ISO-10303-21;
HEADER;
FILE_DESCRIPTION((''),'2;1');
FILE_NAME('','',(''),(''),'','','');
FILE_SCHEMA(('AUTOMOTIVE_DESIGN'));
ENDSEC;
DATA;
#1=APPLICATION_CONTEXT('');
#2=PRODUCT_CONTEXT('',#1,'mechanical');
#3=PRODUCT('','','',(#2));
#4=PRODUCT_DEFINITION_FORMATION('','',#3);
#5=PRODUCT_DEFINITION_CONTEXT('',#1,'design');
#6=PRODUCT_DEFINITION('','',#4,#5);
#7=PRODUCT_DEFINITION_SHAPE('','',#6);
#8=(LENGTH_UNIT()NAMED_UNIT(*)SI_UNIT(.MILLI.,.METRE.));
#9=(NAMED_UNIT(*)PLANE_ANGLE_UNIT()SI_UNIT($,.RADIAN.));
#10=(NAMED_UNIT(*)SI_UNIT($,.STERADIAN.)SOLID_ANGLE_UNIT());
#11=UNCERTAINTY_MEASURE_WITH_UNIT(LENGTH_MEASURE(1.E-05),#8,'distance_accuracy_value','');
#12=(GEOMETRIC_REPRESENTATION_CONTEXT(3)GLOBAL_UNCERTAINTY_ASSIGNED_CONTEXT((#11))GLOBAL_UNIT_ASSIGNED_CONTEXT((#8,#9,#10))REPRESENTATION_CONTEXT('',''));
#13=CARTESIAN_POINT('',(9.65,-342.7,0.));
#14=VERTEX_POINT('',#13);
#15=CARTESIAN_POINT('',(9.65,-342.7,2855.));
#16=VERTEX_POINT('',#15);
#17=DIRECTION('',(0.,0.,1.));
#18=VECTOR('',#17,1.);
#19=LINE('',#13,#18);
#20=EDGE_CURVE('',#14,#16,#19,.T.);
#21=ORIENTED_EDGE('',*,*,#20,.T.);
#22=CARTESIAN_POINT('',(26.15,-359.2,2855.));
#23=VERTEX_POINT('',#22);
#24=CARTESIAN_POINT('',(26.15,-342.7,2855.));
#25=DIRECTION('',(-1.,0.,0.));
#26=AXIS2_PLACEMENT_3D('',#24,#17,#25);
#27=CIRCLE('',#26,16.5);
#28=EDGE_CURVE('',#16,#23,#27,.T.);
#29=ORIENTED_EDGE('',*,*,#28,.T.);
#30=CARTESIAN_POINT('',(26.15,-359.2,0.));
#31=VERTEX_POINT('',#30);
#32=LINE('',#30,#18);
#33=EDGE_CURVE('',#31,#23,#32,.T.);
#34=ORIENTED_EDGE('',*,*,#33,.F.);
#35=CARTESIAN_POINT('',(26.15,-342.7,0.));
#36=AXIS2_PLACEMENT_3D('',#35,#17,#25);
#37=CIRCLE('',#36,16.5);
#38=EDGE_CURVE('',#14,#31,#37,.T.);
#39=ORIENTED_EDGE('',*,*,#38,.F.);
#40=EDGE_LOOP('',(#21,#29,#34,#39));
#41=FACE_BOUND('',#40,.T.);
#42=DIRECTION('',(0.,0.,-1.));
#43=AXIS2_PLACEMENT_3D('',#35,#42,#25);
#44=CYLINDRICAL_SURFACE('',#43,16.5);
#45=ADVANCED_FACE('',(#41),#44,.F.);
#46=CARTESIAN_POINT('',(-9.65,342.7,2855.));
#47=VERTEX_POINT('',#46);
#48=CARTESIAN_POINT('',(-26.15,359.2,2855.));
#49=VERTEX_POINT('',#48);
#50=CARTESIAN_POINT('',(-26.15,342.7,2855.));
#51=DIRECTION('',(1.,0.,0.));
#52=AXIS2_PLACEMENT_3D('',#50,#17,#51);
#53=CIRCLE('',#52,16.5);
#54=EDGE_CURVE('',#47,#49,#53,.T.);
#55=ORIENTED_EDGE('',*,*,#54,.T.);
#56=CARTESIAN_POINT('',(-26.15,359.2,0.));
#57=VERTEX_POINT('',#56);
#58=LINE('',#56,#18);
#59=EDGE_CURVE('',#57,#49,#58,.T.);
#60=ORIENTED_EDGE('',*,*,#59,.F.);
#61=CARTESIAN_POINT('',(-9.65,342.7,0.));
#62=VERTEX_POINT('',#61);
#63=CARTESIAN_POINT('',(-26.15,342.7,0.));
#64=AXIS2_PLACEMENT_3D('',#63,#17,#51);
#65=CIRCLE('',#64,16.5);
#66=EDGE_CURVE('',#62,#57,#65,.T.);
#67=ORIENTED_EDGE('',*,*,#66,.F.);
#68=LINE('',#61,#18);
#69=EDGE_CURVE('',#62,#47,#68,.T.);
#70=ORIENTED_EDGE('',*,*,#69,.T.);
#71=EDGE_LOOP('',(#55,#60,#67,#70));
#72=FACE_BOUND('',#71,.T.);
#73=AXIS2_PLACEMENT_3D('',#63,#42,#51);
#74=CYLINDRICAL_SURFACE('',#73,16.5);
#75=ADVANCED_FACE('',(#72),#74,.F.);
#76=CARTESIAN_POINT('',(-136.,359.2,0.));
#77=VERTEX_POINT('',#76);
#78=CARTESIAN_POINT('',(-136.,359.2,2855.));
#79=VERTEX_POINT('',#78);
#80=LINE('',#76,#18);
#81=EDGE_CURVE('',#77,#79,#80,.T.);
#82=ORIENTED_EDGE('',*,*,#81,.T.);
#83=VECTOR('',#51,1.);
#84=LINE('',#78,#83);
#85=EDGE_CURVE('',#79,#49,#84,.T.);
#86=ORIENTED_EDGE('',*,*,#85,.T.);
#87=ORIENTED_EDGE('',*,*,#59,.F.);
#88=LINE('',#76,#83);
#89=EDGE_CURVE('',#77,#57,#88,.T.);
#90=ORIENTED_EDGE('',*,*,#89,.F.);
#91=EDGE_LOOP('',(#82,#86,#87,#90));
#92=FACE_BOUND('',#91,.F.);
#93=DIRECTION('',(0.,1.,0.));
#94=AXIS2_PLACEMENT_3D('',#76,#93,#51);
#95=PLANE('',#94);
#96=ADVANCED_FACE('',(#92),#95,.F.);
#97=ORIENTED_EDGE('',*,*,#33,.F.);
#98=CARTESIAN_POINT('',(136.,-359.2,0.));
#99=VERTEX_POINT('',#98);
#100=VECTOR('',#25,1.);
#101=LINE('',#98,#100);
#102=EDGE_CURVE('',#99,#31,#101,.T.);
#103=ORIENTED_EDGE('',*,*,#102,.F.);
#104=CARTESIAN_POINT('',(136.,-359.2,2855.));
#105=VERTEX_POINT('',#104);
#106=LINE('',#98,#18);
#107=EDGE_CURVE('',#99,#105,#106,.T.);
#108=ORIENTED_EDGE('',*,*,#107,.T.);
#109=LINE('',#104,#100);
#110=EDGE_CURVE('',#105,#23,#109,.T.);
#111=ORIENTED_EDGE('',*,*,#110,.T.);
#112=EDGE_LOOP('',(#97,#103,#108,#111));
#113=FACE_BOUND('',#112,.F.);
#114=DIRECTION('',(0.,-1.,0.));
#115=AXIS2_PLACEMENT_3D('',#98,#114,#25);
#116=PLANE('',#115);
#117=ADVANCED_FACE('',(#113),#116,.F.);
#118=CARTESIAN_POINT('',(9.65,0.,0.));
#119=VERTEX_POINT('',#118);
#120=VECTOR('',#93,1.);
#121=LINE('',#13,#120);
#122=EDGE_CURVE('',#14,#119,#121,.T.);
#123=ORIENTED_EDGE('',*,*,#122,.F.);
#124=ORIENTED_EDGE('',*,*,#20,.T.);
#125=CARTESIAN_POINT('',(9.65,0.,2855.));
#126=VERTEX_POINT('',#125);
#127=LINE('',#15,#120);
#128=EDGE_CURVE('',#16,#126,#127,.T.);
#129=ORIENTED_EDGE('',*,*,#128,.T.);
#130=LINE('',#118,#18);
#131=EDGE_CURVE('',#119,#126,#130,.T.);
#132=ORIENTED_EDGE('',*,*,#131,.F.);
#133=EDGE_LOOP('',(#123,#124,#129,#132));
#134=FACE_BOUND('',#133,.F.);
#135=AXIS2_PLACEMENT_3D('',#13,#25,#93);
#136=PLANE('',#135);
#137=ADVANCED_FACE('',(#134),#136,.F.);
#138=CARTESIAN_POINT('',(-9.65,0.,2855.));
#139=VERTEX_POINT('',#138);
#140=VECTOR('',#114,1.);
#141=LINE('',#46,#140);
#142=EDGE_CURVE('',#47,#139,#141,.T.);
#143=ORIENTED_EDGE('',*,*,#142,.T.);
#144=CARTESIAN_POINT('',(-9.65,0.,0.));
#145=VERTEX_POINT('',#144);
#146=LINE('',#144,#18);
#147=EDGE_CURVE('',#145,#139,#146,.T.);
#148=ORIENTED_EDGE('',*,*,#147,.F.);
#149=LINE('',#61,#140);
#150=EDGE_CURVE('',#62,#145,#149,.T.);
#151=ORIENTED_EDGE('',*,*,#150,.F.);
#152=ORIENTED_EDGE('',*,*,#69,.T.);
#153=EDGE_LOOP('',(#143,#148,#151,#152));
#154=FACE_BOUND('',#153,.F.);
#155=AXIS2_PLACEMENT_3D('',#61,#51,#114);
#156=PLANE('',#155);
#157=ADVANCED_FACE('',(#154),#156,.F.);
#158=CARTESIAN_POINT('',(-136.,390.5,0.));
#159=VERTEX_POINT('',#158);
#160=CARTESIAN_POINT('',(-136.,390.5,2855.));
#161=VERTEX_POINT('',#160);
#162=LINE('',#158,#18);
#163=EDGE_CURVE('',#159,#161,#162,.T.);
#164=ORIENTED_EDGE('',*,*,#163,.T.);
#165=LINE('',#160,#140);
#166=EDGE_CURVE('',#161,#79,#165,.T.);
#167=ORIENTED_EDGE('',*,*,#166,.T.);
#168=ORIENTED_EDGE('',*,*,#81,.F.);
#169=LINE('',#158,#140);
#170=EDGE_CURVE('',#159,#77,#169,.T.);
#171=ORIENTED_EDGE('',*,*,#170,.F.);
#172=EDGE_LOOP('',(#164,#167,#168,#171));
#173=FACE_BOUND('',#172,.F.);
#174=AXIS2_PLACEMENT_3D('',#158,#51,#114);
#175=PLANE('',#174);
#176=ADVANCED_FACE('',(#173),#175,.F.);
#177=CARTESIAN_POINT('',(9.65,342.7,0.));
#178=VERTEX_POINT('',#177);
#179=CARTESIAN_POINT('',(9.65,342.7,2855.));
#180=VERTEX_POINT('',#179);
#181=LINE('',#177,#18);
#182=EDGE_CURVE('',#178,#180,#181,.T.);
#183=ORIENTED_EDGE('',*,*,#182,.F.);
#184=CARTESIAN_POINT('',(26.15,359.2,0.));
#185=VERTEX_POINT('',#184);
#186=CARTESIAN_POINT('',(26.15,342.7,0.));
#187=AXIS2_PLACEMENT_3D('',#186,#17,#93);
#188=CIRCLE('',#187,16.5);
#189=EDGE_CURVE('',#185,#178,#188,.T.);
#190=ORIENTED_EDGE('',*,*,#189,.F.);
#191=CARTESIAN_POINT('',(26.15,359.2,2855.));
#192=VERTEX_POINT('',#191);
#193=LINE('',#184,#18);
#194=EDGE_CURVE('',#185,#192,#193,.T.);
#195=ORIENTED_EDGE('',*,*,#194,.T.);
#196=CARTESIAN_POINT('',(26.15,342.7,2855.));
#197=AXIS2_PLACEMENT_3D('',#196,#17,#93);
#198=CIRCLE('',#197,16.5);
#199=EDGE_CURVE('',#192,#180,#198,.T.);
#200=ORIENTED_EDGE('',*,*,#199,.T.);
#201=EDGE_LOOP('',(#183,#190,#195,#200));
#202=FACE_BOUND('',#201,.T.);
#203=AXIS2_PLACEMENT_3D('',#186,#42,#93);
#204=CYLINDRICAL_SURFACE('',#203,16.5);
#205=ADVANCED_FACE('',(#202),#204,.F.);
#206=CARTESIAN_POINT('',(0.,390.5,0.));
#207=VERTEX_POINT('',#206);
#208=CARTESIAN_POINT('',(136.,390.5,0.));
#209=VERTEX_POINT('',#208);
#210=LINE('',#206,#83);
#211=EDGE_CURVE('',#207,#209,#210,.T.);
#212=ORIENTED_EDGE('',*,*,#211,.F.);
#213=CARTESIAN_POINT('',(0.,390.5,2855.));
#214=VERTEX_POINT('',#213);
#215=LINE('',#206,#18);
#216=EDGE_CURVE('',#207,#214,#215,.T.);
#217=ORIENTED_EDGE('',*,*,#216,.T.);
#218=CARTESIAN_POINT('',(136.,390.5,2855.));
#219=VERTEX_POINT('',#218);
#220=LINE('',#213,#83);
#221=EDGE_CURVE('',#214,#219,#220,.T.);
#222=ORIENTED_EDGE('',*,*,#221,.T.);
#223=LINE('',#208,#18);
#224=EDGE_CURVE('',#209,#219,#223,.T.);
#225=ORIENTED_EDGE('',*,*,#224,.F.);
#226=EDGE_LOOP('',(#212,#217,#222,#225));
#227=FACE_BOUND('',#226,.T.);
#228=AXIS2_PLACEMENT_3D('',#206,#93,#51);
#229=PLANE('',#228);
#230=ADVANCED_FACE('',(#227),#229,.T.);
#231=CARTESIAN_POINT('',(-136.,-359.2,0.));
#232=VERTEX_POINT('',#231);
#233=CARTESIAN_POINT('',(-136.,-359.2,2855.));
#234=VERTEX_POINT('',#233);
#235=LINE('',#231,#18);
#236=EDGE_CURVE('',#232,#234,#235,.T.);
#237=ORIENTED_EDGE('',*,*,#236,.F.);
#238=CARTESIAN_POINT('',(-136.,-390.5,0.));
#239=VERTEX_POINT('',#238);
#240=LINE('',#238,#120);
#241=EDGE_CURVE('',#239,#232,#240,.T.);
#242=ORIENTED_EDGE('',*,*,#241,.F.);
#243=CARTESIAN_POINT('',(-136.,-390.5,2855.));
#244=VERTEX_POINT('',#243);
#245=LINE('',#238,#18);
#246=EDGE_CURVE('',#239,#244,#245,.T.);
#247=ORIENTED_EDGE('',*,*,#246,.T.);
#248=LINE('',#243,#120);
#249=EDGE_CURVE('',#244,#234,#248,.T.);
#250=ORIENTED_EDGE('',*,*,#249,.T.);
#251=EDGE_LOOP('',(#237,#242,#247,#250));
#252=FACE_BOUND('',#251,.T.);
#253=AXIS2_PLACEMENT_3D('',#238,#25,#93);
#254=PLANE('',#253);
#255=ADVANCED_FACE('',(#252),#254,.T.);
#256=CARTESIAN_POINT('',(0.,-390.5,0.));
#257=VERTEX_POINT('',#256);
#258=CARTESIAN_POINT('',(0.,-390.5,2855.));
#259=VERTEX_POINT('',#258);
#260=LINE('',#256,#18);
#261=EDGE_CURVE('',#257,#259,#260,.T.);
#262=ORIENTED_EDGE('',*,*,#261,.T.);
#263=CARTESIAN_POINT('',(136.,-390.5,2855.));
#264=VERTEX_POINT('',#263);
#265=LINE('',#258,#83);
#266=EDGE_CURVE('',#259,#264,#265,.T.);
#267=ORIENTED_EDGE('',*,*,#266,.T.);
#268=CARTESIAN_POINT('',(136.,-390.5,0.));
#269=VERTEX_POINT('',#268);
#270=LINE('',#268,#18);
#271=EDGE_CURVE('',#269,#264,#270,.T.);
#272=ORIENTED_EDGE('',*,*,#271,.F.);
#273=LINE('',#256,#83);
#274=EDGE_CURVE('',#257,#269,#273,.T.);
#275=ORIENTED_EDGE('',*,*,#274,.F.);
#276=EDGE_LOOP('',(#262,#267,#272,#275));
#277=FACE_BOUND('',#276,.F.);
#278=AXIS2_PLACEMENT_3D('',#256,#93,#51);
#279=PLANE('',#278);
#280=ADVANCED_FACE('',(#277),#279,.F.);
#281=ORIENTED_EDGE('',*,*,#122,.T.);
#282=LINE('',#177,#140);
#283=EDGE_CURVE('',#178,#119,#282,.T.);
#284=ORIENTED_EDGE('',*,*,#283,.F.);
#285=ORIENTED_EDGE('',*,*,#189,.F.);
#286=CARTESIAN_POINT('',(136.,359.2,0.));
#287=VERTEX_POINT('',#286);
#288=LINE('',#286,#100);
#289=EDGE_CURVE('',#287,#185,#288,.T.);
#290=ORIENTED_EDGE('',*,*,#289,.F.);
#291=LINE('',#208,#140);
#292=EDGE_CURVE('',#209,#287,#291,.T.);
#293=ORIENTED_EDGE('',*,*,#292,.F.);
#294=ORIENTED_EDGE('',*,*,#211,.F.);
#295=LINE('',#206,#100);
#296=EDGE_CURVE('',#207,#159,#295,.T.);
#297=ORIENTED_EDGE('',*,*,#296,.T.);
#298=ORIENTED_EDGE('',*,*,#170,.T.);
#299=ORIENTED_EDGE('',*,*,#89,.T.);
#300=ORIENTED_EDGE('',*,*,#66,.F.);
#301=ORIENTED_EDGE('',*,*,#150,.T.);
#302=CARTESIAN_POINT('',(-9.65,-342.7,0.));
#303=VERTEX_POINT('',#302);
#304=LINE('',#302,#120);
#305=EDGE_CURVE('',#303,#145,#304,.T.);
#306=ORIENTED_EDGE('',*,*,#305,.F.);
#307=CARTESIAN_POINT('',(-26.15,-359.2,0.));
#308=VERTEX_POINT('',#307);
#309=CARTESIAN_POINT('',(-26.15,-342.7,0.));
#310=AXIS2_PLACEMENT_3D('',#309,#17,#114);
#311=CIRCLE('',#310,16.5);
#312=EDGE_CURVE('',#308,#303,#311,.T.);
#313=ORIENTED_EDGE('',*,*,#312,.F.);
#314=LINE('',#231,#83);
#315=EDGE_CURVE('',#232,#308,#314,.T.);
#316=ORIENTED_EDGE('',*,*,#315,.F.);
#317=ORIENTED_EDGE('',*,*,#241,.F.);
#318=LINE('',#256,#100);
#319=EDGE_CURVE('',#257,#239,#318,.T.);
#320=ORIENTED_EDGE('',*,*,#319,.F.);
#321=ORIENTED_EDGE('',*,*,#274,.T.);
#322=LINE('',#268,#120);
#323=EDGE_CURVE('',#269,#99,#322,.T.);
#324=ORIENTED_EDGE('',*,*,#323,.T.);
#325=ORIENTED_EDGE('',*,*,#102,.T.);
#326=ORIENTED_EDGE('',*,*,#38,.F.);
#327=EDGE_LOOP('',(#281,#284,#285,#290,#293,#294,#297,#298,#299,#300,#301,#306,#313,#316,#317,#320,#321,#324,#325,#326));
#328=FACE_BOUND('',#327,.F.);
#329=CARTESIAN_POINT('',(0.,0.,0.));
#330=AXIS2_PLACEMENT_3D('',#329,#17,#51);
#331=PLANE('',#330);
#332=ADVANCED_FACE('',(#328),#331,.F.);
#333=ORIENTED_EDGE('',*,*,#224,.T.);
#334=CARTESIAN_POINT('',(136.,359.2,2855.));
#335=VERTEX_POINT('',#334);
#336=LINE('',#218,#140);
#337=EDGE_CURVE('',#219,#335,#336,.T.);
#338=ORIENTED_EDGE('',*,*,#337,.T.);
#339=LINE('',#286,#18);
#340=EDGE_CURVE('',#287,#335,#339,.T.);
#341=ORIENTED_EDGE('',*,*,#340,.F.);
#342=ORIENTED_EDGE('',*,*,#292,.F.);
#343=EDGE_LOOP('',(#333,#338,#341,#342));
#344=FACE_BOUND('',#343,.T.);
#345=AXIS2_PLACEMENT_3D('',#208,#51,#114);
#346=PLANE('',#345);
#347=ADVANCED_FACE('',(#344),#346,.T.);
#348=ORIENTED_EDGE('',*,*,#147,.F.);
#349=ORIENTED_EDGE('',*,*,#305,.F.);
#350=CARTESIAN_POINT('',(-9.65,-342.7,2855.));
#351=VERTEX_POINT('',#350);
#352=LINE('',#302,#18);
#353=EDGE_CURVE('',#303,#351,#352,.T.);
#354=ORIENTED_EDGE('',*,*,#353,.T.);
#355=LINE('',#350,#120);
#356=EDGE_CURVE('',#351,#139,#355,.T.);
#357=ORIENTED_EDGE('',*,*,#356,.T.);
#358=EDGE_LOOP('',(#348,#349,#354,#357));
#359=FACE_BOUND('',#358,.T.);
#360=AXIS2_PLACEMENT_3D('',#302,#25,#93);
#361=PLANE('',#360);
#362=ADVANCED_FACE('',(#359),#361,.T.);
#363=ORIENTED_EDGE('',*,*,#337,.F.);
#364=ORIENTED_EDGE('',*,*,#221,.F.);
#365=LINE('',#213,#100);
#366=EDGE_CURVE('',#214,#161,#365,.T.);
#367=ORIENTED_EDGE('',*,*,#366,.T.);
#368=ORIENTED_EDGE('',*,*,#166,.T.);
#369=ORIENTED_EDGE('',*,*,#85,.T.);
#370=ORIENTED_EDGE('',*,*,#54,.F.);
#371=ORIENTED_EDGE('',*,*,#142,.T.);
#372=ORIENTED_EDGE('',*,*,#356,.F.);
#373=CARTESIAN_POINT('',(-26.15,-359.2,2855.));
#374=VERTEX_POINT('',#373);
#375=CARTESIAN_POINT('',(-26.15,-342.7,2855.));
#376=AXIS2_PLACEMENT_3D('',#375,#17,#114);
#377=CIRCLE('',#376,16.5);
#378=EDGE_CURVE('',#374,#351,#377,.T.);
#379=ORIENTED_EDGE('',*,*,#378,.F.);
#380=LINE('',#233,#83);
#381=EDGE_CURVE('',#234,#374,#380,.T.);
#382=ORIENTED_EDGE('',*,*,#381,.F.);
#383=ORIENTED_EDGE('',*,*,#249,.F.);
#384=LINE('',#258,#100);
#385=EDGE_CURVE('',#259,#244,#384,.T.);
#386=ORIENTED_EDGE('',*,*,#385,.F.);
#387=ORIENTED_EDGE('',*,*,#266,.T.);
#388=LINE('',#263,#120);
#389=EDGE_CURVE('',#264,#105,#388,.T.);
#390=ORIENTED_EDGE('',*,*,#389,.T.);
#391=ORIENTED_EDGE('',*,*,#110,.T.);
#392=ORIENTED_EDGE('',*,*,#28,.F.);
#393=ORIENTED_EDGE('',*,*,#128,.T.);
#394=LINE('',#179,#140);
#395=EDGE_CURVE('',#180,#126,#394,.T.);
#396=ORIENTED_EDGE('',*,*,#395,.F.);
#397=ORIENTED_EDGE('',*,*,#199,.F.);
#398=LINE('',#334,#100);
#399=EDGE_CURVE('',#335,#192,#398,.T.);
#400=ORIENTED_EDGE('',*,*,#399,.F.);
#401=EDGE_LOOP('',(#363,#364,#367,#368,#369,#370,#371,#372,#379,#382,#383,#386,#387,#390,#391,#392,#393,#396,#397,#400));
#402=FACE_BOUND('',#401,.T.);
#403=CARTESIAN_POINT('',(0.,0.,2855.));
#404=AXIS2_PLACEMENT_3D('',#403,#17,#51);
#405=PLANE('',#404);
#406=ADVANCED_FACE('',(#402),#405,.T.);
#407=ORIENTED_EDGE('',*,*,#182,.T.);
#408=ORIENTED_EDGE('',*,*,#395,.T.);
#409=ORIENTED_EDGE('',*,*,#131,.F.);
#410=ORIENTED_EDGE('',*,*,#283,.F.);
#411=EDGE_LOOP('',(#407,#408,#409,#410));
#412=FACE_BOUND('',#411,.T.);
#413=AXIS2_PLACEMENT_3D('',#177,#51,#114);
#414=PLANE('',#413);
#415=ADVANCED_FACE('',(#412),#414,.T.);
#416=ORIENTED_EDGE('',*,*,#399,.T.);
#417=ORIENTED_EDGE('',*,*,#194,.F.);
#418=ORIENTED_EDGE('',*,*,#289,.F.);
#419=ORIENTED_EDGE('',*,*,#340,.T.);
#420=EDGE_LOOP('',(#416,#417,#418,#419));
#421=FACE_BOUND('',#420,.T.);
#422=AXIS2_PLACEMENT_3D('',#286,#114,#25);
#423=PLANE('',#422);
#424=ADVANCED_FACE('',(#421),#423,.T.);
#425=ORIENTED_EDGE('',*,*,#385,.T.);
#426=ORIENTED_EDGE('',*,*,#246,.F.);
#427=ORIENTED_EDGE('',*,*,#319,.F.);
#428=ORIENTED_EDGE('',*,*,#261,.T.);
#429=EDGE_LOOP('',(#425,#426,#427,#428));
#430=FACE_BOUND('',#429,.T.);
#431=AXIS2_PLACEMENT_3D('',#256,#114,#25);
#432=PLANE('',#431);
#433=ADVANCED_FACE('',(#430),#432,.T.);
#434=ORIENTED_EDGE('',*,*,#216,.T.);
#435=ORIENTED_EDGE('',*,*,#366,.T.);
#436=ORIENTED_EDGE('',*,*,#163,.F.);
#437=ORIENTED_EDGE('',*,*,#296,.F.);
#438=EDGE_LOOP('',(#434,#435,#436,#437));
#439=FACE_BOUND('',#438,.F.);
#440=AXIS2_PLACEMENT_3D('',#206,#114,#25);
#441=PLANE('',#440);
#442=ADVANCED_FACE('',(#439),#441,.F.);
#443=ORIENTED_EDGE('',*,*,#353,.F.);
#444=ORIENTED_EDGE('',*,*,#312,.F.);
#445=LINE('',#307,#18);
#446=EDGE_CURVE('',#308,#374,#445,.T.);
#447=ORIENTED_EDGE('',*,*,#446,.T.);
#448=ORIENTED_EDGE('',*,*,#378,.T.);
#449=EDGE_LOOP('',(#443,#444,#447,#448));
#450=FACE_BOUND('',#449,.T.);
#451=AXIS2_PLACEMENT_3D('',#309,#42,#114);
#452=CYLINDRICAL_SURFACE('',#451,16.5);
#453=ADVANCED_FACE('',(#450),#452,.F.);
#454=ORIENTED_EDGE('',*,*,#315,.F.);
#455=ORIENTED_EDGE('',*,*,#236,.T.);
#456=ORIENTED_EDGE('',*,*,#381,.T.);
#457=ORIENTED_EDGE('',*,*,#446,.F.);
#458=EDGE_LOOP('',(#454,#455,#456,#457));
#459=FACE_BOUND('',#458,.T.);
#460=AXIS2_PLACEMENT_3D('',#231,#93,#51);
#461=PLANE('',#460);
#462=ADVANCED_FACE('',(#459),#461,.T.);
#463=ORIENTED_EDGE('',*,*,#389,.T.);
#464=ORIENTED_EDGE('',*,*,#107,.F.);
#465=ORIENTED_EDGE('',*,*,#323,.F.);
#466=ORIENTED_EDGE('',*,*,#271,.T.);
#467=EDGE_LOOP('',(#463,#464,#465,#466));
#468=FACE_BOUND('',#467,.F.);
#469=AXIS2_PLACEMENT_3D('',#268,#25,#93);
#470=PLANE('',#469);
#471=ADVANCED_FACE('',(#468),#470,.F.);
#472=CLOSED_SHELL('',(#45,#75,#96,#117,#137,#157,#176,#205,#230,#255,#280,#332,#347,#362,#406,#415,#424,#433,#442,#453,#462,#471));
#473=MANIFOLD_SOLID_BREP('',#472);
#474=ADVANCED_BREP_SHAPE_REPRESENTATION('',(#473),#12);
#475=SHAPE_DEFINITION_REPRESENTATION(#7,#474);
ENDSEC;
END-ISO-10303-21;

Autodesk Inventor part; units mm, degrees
ref_plane "YZ Plane" through (0, 0, 0) normal (1, 0, 0) x (0, 1, 0)
ref_plane "Start plane" through (0, 0, 0) normal (0, 0, 1) x (1, 0, 0)
ref_plane "End plane" through (0, 0, 2855) normal (0, 0, 1) x (1, 0, 0)
sketch "Sketch" plane through (0, 0, 0) normal (0, 0, 1) x (1, 0, 0)
  line L0 (-136, -390.5) -> (-136, -359.2)
  line L1 (-136, -359.2) -> (-26.15, -359.2)
  line L2 (-9.65, -342.7) -> (-9.65, 0)
  line L3 (-9.65, 0) -> (0, 0) construction
  line L4 (0, 0) -> (0, -390.5) construction
  line L5 (0, -390.5) -> (-136, -390.5)
  line L6 (-60, 0) -> (80, 0) construction
  line L7 (0, -60) -> (0, 80) construction
  line L8 (136, -390.5) -> (136, -359.2)
  line L9 (136, -359.2) -> (26.15, -359.2)
  line L10 (9.65, -342.7) -> (9.65, 0)
  line L11 (9.65, 0) -> (0, 0) construction
  line L12 (0, -390.5) -> (136, -390.5)
  line L13 (-136, 390.5) -> (-136, 359.2)
  line L14 (-136, 359.2) -> (-26.15, 359.2)
  line L15 (-9.65, 342.7) -> (-9.65, 0)
  line L16 (0, 390.5) -> (-136, 390.5)
  line L17 (136, 390.5) -> (136, 359.2)
  line L18 (136, 359.2) -> (26.15, 359.2)
  line L19 (0, 390.5) -> (136, 390.5)
  line L20 (9.65, 342.7) -> (9.65, 0)
  arc A0 (-9.65, 342.7) -> (-26.15, 359.2) centre (-26.15, 342.7) ccw
  arc A1 (26.15, 359.2) -> (9.65, 342.7) centre (26.15, 342.7) ccw
  arc A2 (9.65, -342.7) -> (26.15, -359.2) centre (26.15, -342.7) ccw
  arc A3 (-26.15, -359.2) -> (-9.65, -342.7) centre (-26.15, -342.7) ccw
  line L21 (0, 108) -> (0, -88) construction
  line L22 (-88, 0) -> (108, 0) construction
  point P0 (-9.65, -359.2)
  point P1 (9.65, -359.2)
  point P2 (-9.65, 359.2)
  point P3 (9.65, 359.2)
  dimension "d1" = 390.5
  dimension "d2" = 31.3
  dimension "d3" = 136
  dimension "d4" = 9.65
  dimension "d10" = 16.5
extrude "Body" add sketch "Sketch" along normal up to surface (2855 mm away) from surface at 0
sketch "Sketch4" plane through (0, 0, 0) normal (0, 0, 1) x (1, 0, 0)
  line L0 (0, 0) -> (10, 0)
ref_plane "Work Plane3" through (0, 0, 0) normal (0, -1, 0) x (1, 0, 0)
sketch "Sketch5" plane through (0, 0, 0) normal (0, -1, 0) x (1, 0, 0)
  line L0 (-2, 0) -> (12, 0) projected
  line L1 (-2, 2855) -> (12, 2855) projected
  dimension "d14" = 2855
equation "\"d1\" = 0.5 * G_H"
equation "\"d2\" = G_T1"
equation "\"d3\" = 0.5 * G_W"
equation "\"d4\" = 0.5 * G_T"
equation "\"d10\" = G_IR"
equation "\"d5\" = G_L"
equation "\"G_W\" = 272"
equation "\"G_H\" = 781"
equation "\"G_T\" = 19.3"
equation "\"G_T1\" = 31.3"
equation "\"G_IR\" = 16.5"
equation "\"G_L\" = d14"
equation "\"G_OFFSET_START\" = 0"
equation "\"G_OFFSET_END\" = 0"
equation "\"d12\" = G_OFFSET_END + B_L"
equation "\"B_L\" = 2855"
properties part number "AS 3679-1990 - 760 UB - 244 - 2855" material "Steel, Mild"
